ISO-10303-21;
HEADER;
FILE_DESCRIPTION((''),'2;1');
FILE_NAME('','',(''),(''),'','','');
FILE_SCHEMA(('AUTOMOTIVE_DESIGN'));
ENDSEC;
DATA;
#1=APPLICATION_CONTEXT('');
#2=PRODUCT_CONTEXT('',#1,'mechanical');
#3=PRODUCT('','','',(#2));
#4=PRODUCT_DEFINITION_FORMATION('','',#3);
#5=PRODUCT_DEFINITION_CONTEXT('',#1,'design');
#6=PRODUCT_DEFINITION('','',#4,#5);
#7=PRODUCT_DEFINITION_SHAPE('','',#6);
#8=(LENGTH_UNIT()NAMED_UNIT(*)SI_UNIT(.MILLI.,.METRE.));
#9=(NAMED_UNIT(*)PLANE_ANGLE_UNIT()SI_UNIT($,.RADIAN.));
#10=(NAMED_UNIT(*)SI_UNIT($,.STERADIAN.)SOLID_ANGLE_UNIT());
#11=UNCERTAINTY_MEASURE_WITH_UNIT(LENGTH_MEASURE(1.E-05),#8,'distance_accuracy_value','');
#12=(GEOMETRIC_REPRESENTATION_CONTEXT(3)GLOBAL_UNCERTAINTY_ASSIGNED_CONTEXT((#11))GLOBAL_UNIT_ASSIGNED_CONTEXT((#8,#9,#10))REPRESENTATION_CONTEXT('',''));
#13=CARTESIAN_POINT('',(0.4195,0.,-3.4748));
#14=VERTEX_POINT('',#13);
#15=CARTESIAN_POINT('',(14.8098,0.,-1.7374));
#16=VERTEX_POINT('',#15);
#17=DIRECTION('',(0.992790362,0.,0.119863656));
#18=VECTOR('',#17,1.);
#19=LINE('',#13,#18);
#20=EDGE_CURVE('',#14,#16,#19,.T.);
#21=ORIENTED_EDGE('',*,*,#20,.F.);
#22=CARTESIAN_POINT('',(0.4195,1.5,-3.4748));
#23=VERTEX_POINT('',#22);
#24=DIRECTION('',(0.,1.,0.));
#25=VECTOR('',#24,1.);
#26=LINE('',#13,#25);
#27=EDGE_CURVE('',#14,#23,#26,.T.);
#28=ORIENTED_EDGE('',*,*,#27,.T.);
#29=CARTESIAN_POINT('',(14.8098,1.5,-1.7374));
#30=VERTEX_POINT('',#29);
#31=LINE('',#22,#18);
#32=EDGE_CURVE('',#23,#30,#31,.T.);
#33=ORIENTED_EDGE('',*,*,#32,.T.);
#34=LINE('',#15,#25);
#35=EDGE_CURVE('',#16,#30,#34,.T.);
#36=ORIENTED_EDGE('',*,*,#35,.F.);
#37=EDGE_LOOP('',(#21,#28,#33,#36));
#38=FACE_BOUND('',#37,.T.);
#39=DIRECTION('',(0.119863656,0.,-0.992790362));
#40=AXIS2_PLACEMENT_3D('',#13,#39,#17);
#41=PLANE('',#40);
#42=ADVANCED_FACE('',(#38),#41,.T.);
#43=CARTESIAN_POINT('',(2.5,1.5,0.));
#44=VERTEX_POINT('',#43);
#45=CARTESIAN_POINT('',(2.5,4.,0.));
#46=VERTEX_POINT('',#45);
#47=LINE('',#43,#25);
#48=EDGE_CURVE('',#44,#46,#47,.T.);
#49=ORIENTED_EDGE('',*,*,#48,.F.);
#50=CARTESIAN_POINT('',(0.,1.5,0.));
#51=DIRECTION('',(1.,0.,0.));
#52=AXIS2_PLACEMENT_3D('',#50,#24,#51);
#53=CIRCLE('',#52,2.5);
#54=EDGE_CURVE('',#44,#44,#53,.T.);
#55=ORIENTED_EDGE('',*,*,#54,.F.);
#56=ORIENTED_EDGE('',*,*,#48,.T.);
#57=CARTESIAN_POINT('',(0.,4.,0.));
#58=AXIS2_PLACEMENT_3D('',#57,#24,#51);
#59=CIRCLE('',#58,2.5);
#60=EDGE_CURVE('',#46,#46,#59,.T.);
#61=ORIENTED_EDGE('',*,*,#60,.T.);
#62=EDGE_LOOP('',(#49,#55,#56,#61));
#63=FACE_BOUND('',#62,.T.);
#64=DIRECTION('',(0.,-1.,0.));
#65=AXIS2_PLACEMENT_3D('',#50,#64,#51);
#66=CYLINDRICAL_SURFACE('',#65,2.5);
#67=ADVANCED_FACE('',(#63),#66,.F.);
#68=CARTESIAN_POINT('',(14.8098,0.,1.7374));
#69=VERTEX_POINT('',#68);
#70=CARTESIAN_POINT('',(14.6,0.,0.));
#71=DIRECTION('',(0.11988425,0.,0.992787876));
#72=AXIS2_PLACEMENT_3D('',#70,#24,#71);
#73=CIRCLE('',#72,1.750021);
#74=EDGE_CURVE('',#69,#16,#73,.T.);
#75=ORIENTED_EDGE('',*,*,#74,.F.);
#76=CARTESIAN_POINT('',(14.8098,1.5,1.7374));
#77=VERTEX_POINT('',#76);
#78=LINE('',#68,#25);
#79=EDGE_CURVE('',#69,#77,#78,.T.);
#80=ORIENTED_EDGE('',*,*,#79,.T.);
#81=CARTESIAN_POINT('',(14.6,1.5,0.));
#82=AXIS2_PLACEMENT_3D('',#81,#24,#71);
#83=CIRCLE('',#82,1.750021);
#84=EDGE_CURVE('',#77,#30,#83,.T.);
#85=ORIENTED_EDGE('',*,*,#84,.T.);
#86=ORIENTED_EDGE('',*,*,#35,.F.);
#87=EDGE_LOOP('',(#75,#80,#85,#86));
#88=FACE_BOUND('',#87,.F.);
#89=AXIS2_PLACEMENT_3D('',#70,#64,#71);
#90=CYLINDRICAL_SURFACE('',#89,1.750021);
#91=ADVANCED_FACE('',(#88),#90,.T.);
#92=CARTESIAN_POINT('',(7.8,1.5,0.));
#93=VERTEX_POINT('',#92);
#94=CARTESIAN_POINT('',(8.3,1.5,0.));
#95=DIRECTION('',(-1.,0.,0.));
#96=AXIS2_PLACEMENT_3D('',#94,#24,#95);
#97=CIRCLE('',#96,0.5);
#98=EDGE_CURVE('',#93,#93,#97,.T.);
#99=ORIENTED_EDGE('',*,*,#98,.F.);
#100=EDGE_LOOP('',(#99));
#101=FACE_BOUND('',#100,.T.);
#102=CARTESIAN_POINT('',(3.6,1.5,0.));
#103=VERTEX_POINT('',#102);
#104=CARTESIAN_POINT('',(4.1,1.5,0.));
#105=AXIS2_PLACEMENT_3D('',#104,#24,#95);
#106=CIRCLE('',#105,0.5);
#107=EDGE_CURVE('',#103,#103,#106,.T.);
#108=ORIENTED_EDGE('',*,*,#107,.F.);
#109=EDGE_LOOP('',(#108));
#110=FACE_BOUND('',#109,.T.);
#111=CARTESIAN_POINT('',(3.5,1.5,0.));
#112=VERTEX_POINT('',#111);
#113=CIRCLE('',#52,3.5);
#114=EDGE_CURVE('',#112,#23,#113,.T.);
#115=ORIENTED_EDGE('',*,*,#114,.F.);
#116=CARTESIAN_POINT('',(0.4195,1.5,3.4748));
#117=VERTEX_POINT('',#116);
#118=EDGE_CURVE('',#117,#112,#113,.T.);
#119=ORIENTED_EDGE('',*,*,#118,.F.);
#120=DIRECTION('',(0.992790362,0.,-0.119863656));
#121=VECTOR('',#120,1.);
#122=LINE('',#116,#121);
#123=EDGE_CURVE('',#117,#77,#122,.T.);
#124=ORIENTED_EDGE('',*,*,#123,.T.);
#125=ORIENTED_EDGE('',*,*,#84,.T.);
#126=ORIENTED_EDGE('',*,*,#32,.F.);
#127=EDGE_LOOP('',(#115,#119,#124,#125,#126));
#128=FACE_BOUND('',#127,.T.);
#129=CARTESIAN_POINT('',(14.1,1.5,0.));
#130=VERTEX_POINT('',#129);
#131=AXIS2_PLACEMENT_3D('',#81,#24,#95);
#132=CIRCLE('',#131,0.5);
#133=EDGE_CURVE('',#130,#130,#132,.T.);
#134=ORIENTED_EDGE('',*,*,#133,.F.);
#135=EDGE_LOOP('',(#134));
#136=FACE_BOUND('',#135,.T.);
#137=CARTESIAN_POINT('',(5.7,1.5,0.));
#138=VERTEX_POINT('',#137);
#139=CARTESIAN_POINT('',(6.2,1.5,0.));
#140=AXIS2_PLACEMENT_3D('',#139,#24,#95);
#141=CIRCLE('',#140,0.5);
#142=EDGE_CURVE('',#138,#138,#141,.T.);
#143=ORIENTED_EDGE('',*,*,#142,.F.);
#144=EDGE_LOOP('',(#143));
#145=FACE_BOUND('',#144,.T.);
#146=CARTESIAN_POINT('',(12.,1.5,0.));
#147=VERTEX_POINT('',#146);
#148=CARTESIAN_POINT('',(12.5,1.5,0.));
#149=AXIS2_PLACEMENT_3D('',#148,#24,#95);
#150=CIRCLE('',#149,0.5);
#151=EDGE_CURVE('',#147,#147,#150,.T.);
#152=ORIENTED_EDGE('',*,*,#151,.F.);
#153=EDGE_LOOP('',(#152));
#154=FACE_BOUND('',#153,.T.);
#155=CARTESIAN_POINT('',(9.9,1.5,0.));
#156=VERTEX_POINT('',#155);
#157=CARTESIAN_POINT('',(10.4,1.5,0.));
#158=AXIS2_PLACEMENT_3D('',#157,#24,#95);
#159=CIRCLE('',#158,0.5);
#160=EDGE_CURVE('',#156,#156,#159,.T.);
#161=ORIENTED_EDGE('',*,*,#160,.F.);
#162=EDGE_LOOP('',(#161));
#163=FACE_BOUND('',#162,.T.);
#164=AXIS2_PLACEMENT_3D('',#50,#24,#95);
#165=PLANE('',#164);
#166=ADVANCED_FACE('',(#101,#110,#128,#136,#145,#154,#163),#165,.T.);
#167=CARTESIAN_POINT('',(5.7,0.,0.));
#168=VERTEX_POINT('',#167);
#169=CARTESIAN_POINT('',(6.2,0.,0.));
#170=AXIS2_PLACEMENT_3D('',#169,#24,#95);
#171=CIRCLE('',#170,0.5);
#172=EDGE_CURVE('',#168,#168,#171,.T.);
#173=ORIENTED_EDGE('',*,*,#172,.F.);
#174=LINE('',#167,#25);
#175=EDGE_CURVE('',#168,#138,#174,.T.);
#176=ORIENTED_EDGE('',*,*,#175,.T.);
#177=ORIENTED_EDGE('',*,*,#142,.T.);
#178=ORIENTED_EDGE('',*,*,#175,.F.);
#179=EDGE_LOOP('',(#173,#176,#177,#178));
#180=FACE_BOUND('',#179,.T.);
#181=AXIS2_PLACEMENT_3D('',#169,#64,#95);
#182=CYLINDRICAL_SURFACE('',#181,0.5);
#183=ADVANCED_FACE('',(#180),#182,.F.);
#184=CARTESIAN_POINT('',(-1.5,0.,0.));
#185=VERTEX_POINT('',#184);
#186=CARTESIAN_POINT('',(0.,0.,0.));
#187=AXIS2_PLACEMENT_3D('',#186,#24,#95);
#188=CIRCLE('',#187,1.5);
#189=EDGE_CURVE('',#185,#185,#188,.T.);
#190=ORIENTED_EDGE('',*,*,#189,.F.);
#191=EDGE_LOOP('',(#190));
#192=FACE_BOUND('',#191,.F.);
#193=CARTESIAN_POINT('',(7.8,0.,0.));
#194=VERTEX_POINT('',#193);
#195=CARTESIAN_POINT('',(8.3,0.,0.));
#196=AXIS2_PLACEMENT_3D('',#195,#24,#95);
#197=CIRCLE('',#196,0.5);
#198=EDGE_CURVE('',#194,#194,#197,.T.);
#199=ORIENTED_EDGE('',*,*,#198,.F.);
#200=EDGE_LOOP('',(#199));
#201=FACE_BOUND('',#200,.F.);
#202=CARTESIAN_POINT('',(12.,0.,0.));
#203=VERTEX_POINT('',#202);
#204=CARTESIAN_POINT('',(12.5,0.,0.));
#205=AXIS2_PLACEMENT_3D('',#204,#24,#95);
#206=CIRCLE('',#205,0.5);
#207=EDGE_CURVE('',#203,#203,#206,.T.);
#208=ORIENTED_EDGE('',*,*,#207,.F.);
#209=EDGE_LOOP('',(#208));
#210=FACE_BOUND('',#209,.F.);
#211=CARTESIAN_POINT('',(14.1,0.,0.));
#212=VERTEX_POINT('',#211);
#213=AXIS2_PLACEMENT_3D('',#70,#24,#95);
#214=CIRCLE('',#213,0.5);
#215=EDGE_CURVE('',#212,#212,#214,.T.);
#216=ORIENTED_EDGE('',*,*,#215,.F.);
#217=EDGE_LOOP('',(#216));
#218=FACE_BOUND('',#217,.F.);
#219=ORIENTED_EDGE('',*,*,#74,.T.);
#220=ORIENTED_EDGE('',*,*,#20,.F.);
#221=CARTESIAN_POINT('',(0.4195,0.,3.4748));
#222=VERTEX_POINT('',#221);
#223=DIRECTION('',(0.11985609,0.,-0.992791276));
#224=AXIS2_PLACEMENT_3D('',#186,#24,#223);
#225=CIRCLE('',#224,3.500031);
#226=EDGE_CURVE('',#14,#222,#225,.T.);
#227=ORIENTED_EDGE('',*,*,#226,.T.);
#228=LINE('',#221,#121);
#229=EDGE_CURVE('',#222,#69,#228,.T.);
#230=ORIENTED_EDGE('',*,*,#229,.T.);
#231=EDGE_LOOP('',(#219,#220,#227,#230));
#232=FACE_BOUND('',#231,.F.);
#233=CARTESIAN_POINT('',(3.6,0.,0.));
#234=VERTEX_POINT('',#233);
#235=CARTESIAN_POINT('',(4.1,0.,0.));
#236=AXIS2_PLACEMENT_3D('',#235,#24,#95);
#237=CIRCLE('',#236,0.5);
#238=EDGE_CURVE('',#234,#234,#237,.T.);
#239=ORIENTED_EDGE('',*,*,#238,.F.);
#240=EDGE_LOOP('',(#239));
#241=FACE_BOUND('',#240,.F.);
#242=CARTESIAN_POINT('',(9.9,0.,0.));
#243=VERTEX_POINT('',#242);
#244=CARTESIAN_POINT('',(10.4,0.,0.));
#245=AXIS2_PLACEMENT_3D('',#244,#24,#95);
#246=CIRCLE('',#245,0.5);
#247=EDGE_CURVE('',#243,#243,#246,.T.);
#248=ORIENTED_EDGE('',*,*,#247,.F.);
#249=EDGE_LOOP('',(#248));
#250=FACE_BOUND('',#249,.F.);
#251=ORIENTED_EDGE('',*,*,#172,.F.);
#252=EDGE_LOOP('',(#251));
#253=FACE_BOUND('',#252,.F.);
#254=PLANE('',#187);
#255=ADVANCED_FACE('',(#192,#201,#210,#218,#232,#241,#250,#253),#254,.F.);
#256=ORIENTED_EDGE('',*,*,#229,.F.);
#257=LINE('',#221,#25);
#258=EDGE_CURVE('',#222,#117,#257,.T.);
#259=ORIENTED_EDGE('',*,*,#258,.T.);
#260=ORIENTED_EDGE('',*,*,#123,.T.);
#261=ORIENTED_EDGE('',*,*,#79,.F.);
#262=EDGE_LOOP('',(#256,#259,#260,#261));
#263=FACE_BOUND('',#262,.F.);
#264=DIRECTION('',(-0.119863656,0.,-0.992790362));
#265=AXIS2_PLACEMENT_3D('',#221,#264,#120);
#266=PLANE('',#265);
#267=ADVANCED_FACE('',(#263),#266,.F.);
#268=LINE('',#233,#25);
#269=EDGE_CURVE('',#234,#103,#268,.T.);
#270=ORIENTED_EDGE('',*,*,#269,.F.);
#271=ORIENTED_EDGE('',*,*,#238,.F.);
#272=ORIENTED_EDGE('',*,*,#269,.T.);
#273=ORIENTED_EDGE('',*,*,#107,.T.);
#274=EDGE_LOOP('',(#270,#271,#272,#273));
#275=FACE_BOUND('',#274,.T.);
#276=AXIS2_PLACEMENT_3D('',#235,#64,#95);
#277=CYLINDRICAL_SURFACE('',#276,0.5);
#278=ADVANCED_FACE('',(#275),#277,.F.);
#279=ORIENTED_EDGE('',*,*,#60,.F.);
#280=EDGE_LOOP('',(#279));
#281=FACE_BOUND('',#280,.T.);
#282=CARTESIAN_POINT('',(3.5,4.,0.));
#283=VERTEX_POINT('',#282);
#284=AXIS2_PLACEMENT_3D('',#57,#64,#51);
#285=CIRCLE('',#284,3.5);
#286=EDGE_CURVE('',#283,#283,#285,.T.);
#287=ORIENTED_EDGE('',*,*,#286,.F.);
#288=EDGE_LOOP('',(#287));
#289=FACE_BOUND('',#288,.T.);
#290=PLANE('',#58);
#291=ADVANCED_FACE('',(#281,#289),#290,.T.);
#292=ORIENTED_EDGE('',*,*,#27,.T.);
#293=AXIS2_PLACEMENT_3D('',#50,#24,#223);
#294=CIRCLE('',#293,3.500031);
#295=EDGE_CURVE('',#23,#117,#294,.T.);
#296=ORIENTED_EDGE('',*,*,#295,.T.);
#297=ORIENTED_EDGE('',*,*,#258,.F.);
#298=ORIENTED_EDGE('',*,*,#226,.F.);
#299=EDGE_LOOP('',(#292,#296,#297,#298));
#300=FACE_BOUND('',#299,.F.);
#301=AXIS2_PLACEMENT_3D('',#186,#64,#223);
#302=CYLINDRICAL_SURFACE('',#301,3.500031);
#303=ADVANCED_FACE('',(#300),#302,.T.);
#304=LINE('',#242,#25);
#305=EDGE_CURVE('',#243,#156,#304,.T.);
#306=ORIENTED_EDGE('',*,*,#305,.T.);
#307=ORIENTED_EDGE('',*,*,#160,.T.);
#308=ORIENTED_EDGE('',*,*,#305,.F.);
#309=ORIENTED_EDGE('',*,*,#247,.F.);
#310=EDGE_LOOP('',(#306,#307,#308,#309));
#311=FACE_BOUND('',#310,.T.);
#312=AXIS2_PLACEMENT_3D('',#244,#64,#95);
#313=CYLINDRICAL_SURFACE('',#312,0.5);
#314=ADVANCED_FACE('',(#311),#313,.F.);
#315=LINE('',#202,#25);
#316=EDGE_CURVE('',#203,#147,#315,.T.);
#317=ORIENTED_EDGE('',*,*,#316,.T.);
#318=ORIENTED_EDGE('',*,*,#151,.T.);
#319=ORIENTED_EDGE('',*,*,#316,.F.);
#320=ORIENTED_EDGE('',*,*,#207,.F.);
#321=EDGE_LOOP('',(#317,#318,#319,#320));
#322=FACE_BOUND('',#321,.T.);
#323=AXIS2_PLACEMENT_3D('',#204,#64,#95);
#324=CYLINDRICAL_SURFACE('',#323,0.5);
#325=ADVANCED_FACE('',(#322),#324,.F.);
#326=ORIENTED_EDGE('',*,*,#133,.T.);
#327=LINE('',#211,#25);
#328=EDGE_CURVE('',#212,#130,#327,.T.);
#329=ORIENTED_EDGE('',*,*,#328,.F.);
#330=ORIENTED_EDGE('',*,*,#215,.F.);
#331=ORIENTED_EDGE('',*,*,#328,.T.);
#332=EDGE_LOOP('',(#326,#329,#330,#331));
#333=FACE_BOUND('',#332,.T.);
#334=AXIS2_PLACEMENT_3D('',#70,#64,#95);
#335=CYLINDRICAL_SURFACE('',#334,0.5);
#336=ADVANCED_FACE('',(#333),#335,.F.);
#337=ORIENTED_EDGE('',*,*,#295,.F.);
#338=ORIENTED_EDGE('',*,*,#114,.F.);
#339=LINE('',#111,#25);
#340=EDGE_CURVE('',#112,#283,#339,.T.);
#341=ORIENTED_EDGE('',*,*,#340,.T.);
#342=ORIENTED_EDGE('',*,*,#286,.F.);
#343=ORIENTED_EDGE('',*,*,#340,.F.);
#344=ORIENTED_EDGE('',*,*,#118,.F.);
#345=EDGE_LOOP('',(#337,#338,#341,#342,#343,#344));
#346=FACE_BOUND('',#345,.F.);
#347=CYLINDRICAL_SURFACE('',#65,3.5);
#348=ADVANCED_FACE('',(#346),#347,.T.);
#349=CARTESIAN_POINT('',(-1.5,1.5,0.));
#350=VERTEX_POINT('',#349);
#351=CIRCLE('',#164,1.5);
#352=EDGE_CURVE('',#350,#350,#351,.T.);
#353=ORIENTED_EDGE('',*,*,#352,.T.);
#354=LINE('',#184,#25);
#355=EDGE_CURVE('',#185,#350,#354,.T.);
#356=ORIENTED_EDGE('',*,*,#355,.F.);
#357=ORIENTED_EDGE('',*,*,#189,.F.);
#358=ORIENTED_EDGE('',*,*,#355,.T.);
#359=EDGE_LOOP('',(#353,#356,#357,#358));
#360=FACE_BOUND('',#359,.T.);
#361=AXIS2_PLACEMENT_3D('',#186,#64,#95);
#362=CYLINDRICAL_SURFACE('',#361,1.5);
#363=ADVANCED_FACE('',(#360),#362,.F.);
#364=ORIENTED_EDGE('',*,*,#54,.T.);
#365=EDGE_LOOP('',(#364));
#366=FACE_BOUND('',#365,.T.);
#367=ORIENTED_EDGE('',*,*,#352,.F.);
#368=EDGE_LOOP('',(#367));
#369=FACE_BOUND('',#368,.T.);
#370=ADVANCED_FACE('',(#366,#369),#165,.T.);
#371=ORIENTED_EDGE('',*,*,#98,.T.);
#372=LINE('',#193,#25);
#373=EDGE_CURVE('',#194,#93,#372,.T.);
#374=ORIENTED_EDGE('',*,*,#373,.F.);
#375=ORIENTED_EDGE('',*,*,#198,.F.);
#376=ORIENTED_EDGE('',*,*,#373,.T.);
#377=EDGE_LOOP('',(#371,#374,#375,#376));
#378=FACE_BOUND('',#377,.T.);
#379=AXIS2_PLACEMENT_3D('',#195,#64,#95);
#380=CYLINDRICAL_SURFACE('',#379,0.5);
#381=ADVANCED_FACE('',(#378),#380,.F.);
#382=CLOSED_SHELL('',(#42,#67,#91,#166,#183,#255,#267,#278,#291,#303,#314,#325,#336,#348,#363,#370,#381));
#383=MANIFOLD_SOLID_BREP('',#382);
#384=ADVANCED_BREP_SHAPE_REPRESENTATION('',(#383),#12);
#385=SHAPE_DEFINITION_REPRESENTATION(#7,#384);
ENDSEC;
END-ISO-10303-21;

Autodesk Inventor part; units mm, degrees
ref_plane "YZ Plane" through (0, 0, 0) normal (1, 0, 0) x (0, 1, 0)
ref_plane "XZ Plane" through (0, 0, 0) normal (0, 1, 0) x (-1, 0, 0)
ref_plane "XY Plane" through (0, 0, 0) normal (0, 0, 1) x (1, 0, 0)
sketch "草图1" plane through (0, 0, 0) normal (0, 1, 0) x (-1, 0, 0)
  circle A0 centre (0, 0) radius 1.5
  line L0 (0, 0) -> (-13.1253, 0) construction
  circle A1 centre (-4.1, 0) radius 0.5
  circle A2 centre (-6.2, 0) radius 0.5
  circle A3 centre (-8.3, 0) radius 0.5
  circle A4 centre (-10.4, 0) radius 0.5
  circle A5 centre (-12.5, 0) radius 0.5
  circle A6 centre (-14.6, 0) radius 0.5
  arc A7 (-0.4195, -3.4748) -> (-0.4195, 3.4748) centre (0, 0) ccw
  arc A8 (-14.8098, 1.7374) -> (-14.8098, -1.7374) centre (-14.6, 0) ccw
  line L1 (-0.4195, -3.4748) -> (-14.8098, -1.7374)
  line L2 (-0.4195, 3.4748) -> (-14.8098, 1.7374)
  dimension "d0" = 3
  dimension "d1" = 1
  dimension "d2" = 4.1
  dimension "d5" = 2.1
  dimension "d10" = 7
  dimension "d11" = 3.5
extrude "拉伸1" add sketch "草图1" along normal blind 1.5
sketch "草图2" plane through (0, 1.5, 0) normal (0, 1, 0) x (1, 0, 0)
  circle A0 centre (0, 0) radius 3.5
  line L0 (0.4195, -3.4748) -> (14.8098, -1.7374) projected
  arc A1 (14.8098, -1.7374) -> (14.8098, 1.7374) centre (14.6, 0) ccw projected
  line L1 (14.8098, 1.7374) -> (0.4195, 3.4748) projected
  arc A2 (0.4195, 3.4748) -> (0.4195, -3.4748) centre (0, 0) ccw projected
  circle A3 centre (4.1, 0) radius 0.5 projected
  circle A4 centre (6.2, 0) radius 0.5 projected
  circle A5 centre (8.3, 0) radius 0.5 projected
  circle A6 centre (10.4, 0) radius 0.5 projected
  circle A7 centre (12.5, 0) radius 0.5 projected
  circle A8 centre (14.6, 0) radius 0.5 projected
  circle A9 centre (0, 0) radius 1.5 projected
  circle A10 centre (0, 0) radius 2.5
  dimension "d16" = 5
extrude "拉伸2" add sketch "草图2" along normal blind 2.5 contours A0
properties part number "sg90舵盘01"
